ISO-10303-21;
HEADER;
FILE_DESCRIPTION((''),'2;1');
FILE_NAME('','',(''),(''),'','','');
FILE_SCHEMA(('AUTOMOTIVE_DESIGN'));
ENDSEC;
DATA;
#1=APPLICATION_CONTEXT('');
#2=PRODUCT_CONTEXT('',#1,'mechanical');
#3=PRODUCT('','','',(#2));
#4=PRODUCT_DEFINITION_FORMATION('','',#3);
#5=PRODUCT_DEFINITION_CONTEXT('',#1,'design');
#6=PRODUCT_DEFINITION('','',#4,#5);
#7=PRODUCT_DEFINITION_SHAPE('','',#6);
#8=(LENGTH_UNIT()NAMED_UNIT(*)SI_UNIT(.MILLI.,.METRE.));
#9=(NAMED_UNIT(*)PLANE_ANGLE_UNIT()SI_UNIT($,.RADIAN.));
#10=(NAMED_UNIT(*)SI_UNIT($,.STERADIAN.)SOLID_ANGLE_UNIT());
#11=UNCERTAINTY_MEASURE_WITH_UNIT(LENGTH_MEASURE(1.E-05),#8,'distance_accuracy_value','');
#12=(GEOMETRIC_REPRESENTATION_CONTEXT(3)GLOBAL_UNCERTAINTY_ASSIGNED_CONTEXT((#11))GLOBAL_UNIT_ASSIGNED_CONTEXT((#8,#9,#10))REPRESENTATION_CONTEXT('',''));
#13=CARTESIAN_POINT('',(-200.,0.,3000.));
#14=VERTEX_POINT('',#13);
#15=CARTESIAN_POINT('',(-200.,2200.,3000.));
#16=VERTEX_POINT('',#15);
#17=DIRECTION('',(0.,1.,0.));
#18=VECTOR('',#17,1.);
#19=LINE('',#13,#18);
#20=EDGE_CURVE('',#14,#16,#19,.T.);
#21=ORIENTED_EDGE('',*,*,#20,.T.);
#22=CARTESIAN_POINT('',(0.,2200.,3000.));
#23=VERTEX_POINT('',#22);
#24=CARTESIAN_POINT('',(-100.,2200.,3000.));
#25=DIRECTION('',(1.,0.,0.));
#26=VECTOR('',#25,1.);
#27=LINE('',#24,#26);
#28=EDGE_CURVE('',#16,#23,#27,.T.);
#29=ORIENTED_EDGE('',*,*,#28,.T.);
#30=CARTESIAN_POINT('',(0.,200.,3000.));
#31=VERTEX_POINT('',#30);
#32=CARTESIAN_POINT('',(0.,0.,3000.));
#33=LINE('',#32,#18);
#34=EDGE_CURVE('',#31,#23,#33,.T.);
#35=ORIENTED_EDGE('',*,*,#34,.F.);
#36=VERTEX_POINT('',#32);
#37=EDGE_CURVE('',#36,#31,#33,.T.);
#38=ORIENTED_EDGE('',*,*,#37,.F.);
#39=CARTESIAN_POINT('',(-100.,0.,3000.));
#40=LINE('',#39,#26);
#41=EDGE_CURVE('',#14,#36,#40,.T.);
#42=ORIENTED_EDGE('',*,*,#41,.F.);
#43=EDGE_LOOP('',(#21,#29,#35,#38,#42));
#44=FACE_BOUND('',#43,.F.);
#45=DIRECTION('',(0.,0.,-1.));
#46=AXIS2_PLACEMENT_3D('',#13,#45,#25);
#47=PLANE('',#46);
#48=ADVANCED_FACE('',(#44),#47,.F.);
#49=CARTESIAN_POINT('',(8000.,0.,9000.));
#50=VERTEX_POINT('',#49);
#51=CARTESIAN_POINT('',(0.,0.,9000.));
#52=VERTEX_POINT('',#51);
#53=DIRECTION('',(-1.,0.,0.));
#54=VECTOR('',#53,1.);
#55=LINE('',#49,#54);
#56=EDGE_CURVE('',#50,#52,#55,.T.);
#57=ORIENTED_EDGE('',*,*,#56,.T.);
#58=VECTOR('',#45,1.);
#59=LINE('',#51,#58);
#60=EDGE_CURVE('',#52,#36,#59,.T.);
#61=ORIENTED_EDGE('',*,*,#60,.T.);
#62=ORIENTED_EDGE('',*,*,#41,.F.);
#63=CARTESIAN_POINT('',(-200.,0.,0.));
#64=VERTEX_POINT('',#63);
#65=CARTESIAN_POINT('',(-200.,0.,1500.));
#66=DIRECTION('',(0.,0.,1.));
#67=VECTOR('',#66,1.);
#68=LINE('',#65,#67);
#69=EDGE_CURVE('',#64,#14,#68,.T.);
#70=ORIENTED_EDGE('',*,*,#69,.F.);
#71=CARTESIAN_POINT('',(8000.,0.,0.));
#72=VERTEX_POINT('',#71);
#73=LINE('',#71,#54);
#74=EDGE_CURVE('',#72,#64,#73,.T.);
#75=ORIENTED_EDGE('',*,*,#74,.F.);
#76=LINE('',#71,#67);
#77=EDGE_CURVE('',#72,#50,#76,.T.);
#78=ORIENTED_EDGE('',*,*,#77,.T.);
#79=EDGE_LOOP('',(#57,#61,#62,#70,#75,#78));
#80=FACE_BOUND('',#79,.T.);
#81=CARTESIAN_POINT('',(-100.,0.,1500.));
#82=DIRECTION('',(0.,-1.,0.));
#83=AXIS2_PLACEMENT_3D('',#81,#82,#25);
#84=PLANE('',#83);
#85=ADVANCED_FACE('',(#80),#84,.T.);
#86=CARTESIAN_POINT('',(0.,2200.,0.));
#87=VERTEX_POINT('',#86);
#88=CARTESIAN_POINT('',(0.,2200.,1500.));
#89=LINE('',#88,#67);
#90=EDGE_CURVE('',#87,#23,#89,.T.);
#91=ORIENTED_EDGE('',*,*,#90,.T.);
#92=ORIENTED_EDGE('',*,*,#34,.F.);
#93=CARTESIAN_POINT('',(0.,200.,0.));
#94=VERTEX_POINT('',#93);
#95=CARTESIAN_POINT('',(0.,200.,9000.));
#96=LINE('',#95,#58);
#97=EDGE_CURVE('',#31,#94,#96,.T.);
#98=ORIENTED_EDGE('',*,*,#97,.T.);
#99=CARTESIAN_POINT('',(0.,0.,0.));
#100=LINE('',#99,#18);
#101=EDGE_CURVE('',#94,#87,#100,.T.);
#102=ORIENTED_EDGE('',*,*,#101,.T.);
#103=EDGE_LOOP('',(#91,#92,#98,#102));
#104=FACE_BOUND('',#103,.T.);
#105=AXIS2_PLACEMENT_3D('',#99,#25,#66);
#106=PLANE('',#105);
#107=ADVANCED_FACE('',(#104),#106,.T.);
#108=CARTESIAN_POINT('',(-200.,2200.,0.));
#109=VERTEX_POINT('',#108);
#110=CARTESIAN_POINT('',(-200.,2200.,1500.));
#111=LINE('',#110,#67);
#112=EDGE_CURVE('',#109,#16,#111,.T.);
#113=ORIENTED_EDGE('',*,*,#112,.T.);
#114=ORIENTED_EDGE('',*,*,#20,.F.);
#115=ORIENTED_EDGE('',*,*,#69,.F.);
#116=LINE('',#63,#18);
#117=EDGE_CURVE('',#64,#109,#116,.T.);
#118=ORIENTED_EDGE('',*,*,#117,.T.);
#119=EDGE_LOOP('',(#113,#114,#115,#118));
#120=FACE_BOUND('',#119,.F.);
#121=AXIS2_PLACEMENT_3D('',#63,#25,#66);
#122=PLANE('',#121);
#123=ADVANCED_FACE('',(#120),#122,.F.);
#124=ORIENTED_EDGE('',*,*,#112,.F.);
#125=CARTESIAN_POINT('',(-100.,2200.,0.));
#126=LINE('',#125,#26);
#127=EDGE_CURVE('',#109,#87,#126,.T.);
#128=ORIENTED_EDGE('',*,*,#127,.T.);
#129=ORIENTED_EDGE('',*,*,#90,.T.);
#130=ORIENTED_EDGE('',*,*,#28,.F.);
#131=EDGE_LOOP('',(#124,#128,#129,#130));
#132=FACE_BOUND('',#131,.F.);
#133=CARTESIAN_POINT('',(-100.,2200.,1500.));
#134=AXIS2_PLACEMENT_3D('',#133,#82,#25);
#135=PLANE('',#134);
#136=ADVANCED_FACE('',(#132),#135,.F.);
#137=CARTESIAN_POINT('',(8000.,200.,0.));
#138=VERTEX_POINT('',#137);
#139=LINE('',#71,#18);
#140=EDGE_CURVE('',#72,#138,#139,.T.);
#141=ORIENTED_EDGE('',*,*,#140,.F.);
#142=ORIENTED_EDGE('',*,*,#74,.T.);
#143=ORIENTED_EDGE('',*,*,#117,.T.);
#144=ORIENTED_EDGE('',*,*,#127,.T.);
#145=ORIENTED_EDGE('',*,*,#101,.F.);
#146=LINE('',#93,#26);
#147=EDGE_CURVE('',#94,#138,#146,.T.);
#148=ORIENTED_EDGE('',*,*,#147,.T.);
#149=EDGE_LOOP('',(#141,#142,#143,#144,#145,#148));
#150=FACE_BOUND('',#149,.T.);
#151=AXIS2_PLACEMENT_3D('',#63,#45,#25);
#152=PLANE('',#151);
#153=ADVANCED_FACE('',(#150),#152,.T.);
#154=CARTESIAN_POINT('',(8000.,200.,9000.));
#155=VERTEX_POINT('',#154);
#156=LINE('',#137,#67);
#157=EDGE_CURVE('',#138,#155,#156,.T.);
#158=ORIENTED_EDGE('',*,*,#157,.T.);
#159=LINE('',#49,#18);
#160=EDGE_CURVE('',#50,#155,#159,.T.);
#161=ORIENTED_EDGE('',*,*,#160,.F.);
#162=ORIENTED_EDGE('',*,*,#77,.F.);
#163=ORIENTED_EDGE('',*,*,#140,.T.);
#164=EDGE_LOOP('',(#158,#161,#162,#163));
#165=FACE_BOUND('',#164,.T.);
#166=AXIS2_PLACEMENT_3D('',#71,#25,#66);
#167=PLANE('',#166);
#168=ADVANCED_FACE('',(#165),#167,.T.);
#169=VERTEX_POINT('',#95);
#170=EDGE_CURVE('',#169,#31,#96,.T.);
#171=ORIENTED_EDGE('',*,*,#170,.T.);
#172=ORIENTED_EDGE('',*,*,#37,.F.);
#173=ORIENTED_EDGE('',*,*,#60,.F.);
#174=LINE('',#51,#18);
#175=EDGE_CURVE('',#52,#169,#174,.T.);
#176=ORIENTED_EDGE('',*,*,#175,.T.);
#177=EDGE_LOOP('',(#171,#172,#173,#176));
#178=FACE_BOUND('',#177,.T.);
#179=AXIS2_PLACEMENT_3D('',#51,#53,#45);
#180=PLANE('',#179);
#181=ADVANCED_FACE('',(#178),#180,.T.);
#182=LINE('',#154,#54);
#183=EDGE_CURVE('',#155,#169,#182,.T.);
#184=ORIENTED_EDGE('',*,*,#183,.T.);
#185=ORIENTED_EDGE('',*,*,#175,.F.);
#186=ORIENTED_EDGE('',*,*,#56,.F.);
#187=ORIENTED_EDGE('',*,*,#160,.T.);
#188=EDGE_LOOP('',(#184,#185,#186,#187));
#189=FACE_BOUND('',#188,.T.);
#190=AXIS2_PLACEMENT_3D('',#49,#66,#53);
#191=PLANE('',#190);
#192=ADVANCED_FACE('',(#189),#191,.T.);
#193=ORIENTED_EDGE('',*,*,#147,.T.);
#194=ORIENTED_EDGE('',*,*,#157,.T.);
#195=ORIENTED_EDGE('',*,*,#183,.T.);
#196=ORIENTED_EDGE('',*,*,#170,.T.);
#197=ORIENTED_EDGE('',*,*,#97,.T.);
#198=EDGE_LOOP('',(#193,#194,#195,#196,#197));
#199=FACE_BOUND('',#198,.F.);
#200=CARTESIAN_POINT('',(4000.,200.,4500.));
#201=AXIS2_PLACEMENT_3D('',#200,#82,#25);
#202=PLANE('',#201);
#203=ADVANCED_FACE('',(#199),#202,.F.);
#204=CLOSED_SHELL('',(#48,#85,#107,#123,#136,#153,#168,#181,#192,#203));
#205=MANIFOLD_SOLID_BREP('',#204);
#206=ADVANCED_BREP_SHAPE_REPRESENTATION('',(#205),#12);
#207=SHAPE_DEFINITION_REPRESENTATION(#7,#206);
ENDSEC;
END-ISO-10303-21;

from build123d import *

# Parameters (mm, degrees)
F1_DEPTH = 200
F0_W     = 200
F0_H     = 3000
F2_DEPTH = 2200


with BuildPart() as f1:
    # F0 (on Front) → F1 (new body)
    with BuildSketch(Plane.XZ):
        Polygon((0, 3000), (0, 0), (8000, 0), (8000, 9000), (0, 9000), align=None)
    extrude(amount=-F1_DEPTH)

    # F0 (on Front) → F2 (join)
    with BuildSketch(Plane.XZ):
        with Locations((-100, 1500)):
            Rectangle(F0_W, F0_H)
    extrude(amount=-F2_DEPTH)


solid = f1.part
